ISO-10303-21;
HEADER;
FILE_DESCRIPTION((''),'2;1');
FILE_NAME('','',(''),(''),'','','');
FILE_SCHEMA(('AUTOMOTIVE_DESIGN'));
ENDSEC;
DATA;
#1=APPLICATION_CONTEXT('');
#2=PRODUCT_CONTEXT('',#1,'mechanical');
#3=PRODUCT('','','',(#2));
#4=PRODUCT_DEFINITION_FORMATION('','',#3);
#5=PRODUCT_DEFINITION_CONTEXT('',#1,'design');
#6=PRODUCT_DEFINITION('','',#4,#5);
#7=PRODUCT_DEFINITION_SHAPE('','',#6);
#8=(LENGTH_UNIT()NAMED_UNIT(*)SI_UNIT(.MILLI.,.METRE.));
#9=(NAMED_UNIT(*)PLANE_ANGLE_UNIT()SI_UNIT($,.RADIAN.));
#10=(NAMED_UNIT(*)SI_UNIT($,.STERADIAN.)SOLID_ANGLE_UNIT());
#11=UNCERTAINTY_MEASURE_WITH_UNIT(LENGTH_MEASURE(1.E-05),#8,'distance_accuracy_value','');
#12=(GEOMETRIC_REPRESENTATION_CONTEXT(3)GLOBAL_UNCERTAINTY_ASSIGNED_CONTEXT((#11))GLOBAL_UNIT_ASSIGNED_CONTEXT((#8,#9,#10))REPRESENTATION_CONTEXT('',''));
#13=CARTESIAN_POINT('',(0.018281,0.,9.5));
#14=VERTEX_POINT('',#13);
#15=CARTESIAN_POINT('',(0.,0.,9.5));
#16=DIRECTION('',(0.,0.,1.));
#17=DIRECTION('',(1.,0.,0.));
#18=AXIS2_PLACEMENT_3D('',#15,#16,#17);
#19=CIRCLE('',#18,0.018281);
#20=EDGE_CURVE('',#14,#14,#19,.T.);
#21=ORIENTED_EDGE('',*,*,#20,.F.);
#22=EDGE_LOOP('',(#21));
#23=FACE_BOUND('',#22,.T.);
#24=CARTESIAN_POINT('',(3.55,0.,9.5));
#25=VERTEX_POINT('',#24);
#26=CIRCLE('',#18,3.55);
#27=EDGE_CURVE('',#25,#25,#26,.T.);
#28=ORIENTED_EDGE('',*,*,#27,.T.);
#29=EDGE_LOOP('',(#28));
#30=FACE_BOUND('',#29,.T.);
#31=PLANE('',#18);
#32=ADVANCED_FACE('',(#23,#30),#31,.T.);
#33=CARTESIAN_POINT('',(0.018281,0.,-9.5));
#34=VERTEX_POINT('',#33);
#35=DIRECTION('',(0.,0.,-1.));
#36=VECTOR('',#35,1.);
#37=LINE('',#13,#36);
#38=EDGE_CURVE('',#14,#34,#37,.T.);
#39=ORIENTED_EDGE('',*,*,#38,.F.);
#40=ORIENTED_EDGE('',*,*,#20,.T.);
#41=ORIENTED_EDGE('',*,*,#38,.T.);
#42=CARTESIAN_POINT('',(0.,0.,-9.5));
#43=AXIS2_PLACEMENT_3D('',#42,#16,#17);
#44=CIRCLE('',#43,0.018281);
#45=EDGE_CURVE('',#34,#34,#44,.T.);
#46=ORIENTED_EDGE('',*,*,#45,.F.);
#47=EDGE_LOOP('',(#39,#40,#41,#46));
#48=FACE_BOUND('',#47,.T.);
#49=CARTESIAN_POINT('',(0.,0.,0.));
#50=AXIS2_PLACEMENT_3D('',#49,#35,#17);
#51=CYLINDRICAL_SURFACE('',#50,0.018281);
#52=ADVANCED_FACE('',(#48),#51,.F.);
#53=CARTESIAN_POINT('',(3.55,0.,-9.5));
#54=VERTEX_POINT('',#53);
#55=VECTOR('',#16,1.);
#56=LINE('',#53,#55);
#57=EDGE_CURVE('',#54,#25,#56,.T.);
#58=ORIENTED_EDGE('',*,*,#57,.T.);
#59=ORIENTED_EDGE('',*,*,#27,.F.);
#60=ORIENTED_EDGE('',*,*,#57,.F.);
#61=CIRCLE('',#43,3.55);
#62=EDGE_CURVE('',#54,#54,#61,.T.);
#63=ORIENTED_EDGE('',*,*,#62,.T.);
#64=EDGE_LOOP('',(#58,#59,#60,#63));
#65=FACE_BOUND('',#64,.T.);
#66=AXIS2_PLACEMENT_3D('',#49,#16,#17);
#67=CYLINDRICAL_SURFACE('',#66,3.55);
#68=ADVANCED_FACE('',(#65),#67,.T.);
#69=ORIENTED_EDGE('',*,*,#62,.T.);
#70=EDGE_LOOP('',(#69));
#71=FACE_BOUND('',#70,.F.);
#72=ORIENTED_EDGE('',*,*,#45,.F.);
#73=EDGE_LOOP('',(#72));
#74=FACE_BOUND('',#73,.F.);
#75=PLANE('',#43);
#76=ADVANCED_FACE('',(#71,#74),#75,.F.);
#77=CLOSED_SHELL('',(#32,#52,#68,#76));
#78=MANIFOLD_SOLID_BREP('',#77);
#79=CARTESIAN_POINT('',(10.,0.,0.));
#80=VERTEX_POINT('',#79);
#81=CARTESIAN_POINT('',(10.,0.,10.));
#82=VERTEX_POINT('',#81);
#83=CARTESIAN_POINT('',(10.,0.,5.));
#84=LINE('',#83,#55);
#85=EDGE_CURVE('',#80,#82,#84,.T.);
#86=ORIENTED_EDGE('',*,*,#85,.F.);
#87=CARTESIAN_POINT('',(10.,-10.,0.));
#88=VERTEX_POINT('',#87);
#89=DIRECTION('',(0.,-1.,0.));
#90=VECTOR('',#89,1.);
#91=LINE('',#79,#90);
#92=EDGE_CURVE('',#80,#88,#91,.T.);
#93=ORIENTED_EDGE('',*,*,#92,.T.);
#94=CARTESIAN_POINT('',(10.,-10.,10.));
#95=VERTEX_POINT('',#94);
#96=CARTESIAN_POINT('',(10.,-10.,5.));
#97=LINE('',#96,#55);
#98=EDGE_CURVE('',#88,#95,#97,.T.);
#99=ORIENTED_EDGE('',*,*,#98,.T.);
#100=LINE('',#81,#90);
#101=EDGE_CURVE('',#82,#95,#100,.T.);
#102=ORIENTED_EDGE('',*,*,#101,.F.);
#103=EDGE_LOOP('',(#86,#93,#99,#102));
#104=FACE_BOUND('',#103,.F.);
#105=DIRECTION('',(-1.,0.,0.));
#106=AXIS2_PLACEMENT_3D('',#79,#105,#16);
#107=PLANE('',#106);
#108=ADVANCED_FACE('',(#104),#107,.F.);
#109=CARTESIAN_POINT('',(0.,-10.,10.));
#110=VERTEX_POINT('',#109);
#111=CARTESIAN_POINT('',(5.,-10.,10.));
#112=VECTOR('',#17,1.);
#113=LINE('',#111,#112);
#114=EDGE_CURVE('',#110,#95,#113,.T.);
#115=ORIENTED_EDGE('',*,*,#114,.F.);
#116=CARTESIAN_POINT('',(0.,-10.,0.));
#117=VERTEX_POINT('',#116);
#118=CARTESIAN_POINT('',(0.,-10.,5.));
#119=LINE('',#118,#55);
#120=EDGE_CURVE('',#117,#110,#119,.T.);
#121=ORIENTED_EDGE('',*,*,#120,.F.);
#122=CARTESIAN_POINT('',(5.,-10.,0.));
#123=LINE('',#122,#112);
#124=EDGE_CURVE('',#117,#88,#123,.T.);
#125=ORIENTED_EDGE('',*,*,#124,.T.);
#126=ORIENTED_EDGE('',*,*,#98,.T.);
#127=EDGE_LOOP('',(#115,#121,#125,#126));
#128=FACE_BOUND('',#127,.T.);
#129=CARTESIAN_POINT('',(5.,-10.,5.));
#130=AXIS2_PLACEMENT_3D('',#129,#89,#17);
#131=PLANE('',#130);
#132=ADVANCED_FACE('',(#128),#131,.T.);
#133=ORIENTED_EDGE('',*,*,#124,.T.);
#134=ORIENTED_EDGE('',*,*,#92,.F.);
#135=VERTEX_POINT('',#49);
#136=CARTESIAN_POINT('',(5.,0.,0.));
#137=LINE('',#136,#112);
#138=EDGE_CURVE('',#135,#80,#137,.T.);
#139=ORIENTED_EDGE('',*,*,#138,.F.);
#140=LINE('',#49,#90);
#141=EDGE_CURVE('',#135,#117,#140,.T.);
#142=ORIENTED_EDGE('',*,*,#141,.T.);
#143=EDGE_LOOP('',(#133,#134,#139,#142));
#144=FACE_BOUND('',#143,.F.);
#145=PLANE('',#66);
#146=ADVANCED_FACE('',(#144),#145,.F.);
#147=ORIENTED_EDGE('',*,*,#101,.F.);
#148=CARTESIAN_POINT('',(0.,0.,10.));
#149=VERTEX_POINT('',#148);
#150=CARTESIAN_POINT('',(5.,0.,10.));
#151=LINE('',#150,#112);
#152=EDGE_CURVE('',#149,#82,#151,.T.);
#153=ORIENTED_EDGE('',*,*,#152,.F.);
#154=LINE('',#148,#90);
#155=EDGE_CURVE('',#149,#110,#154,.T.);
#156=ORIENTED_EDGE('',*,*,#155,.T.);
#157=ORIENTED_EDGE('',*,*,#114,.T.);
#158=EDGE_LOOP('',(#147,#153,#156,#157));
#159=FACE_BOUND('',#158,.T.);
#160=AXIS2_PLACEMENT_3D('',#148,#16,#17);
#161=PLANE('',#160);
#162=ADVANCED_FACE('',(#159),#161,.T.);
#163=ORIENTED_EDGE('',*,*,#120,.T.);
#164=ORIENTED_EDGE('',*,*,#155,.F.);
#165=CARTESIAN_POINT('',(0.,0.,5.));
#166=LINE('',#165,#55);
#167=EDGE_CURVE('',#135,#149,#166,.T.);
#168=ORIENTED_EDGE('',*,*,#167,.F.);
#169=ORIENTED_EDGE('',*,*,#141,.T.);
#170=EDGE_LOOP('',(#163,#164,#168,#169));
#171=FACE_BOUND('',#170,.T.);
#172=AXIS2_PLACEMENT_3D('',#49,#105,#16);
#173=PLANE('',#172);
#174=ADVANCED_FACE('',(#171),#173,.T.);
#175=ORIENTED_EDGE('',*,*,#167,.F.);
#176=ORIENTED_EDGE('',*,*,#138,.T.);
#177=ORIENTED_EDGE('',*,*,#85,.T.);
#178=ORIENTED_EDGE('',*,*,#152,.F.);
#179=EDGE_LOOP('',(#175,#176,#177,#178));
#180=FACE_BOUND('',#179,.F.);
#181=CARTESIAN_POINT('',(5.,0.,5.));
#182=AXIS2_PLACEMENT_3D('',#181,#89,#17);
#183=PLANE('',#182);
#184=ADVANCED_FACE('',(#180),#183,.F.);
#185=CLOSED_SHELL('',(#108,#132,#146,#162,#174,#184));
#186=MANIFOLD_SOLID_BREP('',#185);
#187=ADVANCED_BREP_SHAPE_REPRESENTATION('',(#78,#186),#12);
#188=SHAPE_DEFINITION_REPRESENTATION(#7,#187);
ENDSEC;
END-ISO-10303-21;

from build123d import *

# Parameters (mm, degrees)
F0_R     = 3.55
F0_R_2   = 0.018281
F1_DEPTH = 9.5
F2_W     = 10
F2_H     = 10
F3_DEPTH = 10


with BuildPart() as f1:
    # F0 (on Top) → F1 (new body, symmetric)
    with BuildSketch(Plane.XY):
        Circle(F0_R)
        Circle(F0_R_2, mode=Mode.SUBTRACT)
    extrude(amount=F1_DEPTH, both=True)


with BuildPart() as f3:
    # F2 (on Front) → F3 (new body)
    with BuildSketch(Plane.XZ):
        with Locations((5, 5)):
            Rectangle(F2_W, F2_H)
    extrude(amount=F3_DEPTH)


solid = Compound([f1.part, f3.part])
